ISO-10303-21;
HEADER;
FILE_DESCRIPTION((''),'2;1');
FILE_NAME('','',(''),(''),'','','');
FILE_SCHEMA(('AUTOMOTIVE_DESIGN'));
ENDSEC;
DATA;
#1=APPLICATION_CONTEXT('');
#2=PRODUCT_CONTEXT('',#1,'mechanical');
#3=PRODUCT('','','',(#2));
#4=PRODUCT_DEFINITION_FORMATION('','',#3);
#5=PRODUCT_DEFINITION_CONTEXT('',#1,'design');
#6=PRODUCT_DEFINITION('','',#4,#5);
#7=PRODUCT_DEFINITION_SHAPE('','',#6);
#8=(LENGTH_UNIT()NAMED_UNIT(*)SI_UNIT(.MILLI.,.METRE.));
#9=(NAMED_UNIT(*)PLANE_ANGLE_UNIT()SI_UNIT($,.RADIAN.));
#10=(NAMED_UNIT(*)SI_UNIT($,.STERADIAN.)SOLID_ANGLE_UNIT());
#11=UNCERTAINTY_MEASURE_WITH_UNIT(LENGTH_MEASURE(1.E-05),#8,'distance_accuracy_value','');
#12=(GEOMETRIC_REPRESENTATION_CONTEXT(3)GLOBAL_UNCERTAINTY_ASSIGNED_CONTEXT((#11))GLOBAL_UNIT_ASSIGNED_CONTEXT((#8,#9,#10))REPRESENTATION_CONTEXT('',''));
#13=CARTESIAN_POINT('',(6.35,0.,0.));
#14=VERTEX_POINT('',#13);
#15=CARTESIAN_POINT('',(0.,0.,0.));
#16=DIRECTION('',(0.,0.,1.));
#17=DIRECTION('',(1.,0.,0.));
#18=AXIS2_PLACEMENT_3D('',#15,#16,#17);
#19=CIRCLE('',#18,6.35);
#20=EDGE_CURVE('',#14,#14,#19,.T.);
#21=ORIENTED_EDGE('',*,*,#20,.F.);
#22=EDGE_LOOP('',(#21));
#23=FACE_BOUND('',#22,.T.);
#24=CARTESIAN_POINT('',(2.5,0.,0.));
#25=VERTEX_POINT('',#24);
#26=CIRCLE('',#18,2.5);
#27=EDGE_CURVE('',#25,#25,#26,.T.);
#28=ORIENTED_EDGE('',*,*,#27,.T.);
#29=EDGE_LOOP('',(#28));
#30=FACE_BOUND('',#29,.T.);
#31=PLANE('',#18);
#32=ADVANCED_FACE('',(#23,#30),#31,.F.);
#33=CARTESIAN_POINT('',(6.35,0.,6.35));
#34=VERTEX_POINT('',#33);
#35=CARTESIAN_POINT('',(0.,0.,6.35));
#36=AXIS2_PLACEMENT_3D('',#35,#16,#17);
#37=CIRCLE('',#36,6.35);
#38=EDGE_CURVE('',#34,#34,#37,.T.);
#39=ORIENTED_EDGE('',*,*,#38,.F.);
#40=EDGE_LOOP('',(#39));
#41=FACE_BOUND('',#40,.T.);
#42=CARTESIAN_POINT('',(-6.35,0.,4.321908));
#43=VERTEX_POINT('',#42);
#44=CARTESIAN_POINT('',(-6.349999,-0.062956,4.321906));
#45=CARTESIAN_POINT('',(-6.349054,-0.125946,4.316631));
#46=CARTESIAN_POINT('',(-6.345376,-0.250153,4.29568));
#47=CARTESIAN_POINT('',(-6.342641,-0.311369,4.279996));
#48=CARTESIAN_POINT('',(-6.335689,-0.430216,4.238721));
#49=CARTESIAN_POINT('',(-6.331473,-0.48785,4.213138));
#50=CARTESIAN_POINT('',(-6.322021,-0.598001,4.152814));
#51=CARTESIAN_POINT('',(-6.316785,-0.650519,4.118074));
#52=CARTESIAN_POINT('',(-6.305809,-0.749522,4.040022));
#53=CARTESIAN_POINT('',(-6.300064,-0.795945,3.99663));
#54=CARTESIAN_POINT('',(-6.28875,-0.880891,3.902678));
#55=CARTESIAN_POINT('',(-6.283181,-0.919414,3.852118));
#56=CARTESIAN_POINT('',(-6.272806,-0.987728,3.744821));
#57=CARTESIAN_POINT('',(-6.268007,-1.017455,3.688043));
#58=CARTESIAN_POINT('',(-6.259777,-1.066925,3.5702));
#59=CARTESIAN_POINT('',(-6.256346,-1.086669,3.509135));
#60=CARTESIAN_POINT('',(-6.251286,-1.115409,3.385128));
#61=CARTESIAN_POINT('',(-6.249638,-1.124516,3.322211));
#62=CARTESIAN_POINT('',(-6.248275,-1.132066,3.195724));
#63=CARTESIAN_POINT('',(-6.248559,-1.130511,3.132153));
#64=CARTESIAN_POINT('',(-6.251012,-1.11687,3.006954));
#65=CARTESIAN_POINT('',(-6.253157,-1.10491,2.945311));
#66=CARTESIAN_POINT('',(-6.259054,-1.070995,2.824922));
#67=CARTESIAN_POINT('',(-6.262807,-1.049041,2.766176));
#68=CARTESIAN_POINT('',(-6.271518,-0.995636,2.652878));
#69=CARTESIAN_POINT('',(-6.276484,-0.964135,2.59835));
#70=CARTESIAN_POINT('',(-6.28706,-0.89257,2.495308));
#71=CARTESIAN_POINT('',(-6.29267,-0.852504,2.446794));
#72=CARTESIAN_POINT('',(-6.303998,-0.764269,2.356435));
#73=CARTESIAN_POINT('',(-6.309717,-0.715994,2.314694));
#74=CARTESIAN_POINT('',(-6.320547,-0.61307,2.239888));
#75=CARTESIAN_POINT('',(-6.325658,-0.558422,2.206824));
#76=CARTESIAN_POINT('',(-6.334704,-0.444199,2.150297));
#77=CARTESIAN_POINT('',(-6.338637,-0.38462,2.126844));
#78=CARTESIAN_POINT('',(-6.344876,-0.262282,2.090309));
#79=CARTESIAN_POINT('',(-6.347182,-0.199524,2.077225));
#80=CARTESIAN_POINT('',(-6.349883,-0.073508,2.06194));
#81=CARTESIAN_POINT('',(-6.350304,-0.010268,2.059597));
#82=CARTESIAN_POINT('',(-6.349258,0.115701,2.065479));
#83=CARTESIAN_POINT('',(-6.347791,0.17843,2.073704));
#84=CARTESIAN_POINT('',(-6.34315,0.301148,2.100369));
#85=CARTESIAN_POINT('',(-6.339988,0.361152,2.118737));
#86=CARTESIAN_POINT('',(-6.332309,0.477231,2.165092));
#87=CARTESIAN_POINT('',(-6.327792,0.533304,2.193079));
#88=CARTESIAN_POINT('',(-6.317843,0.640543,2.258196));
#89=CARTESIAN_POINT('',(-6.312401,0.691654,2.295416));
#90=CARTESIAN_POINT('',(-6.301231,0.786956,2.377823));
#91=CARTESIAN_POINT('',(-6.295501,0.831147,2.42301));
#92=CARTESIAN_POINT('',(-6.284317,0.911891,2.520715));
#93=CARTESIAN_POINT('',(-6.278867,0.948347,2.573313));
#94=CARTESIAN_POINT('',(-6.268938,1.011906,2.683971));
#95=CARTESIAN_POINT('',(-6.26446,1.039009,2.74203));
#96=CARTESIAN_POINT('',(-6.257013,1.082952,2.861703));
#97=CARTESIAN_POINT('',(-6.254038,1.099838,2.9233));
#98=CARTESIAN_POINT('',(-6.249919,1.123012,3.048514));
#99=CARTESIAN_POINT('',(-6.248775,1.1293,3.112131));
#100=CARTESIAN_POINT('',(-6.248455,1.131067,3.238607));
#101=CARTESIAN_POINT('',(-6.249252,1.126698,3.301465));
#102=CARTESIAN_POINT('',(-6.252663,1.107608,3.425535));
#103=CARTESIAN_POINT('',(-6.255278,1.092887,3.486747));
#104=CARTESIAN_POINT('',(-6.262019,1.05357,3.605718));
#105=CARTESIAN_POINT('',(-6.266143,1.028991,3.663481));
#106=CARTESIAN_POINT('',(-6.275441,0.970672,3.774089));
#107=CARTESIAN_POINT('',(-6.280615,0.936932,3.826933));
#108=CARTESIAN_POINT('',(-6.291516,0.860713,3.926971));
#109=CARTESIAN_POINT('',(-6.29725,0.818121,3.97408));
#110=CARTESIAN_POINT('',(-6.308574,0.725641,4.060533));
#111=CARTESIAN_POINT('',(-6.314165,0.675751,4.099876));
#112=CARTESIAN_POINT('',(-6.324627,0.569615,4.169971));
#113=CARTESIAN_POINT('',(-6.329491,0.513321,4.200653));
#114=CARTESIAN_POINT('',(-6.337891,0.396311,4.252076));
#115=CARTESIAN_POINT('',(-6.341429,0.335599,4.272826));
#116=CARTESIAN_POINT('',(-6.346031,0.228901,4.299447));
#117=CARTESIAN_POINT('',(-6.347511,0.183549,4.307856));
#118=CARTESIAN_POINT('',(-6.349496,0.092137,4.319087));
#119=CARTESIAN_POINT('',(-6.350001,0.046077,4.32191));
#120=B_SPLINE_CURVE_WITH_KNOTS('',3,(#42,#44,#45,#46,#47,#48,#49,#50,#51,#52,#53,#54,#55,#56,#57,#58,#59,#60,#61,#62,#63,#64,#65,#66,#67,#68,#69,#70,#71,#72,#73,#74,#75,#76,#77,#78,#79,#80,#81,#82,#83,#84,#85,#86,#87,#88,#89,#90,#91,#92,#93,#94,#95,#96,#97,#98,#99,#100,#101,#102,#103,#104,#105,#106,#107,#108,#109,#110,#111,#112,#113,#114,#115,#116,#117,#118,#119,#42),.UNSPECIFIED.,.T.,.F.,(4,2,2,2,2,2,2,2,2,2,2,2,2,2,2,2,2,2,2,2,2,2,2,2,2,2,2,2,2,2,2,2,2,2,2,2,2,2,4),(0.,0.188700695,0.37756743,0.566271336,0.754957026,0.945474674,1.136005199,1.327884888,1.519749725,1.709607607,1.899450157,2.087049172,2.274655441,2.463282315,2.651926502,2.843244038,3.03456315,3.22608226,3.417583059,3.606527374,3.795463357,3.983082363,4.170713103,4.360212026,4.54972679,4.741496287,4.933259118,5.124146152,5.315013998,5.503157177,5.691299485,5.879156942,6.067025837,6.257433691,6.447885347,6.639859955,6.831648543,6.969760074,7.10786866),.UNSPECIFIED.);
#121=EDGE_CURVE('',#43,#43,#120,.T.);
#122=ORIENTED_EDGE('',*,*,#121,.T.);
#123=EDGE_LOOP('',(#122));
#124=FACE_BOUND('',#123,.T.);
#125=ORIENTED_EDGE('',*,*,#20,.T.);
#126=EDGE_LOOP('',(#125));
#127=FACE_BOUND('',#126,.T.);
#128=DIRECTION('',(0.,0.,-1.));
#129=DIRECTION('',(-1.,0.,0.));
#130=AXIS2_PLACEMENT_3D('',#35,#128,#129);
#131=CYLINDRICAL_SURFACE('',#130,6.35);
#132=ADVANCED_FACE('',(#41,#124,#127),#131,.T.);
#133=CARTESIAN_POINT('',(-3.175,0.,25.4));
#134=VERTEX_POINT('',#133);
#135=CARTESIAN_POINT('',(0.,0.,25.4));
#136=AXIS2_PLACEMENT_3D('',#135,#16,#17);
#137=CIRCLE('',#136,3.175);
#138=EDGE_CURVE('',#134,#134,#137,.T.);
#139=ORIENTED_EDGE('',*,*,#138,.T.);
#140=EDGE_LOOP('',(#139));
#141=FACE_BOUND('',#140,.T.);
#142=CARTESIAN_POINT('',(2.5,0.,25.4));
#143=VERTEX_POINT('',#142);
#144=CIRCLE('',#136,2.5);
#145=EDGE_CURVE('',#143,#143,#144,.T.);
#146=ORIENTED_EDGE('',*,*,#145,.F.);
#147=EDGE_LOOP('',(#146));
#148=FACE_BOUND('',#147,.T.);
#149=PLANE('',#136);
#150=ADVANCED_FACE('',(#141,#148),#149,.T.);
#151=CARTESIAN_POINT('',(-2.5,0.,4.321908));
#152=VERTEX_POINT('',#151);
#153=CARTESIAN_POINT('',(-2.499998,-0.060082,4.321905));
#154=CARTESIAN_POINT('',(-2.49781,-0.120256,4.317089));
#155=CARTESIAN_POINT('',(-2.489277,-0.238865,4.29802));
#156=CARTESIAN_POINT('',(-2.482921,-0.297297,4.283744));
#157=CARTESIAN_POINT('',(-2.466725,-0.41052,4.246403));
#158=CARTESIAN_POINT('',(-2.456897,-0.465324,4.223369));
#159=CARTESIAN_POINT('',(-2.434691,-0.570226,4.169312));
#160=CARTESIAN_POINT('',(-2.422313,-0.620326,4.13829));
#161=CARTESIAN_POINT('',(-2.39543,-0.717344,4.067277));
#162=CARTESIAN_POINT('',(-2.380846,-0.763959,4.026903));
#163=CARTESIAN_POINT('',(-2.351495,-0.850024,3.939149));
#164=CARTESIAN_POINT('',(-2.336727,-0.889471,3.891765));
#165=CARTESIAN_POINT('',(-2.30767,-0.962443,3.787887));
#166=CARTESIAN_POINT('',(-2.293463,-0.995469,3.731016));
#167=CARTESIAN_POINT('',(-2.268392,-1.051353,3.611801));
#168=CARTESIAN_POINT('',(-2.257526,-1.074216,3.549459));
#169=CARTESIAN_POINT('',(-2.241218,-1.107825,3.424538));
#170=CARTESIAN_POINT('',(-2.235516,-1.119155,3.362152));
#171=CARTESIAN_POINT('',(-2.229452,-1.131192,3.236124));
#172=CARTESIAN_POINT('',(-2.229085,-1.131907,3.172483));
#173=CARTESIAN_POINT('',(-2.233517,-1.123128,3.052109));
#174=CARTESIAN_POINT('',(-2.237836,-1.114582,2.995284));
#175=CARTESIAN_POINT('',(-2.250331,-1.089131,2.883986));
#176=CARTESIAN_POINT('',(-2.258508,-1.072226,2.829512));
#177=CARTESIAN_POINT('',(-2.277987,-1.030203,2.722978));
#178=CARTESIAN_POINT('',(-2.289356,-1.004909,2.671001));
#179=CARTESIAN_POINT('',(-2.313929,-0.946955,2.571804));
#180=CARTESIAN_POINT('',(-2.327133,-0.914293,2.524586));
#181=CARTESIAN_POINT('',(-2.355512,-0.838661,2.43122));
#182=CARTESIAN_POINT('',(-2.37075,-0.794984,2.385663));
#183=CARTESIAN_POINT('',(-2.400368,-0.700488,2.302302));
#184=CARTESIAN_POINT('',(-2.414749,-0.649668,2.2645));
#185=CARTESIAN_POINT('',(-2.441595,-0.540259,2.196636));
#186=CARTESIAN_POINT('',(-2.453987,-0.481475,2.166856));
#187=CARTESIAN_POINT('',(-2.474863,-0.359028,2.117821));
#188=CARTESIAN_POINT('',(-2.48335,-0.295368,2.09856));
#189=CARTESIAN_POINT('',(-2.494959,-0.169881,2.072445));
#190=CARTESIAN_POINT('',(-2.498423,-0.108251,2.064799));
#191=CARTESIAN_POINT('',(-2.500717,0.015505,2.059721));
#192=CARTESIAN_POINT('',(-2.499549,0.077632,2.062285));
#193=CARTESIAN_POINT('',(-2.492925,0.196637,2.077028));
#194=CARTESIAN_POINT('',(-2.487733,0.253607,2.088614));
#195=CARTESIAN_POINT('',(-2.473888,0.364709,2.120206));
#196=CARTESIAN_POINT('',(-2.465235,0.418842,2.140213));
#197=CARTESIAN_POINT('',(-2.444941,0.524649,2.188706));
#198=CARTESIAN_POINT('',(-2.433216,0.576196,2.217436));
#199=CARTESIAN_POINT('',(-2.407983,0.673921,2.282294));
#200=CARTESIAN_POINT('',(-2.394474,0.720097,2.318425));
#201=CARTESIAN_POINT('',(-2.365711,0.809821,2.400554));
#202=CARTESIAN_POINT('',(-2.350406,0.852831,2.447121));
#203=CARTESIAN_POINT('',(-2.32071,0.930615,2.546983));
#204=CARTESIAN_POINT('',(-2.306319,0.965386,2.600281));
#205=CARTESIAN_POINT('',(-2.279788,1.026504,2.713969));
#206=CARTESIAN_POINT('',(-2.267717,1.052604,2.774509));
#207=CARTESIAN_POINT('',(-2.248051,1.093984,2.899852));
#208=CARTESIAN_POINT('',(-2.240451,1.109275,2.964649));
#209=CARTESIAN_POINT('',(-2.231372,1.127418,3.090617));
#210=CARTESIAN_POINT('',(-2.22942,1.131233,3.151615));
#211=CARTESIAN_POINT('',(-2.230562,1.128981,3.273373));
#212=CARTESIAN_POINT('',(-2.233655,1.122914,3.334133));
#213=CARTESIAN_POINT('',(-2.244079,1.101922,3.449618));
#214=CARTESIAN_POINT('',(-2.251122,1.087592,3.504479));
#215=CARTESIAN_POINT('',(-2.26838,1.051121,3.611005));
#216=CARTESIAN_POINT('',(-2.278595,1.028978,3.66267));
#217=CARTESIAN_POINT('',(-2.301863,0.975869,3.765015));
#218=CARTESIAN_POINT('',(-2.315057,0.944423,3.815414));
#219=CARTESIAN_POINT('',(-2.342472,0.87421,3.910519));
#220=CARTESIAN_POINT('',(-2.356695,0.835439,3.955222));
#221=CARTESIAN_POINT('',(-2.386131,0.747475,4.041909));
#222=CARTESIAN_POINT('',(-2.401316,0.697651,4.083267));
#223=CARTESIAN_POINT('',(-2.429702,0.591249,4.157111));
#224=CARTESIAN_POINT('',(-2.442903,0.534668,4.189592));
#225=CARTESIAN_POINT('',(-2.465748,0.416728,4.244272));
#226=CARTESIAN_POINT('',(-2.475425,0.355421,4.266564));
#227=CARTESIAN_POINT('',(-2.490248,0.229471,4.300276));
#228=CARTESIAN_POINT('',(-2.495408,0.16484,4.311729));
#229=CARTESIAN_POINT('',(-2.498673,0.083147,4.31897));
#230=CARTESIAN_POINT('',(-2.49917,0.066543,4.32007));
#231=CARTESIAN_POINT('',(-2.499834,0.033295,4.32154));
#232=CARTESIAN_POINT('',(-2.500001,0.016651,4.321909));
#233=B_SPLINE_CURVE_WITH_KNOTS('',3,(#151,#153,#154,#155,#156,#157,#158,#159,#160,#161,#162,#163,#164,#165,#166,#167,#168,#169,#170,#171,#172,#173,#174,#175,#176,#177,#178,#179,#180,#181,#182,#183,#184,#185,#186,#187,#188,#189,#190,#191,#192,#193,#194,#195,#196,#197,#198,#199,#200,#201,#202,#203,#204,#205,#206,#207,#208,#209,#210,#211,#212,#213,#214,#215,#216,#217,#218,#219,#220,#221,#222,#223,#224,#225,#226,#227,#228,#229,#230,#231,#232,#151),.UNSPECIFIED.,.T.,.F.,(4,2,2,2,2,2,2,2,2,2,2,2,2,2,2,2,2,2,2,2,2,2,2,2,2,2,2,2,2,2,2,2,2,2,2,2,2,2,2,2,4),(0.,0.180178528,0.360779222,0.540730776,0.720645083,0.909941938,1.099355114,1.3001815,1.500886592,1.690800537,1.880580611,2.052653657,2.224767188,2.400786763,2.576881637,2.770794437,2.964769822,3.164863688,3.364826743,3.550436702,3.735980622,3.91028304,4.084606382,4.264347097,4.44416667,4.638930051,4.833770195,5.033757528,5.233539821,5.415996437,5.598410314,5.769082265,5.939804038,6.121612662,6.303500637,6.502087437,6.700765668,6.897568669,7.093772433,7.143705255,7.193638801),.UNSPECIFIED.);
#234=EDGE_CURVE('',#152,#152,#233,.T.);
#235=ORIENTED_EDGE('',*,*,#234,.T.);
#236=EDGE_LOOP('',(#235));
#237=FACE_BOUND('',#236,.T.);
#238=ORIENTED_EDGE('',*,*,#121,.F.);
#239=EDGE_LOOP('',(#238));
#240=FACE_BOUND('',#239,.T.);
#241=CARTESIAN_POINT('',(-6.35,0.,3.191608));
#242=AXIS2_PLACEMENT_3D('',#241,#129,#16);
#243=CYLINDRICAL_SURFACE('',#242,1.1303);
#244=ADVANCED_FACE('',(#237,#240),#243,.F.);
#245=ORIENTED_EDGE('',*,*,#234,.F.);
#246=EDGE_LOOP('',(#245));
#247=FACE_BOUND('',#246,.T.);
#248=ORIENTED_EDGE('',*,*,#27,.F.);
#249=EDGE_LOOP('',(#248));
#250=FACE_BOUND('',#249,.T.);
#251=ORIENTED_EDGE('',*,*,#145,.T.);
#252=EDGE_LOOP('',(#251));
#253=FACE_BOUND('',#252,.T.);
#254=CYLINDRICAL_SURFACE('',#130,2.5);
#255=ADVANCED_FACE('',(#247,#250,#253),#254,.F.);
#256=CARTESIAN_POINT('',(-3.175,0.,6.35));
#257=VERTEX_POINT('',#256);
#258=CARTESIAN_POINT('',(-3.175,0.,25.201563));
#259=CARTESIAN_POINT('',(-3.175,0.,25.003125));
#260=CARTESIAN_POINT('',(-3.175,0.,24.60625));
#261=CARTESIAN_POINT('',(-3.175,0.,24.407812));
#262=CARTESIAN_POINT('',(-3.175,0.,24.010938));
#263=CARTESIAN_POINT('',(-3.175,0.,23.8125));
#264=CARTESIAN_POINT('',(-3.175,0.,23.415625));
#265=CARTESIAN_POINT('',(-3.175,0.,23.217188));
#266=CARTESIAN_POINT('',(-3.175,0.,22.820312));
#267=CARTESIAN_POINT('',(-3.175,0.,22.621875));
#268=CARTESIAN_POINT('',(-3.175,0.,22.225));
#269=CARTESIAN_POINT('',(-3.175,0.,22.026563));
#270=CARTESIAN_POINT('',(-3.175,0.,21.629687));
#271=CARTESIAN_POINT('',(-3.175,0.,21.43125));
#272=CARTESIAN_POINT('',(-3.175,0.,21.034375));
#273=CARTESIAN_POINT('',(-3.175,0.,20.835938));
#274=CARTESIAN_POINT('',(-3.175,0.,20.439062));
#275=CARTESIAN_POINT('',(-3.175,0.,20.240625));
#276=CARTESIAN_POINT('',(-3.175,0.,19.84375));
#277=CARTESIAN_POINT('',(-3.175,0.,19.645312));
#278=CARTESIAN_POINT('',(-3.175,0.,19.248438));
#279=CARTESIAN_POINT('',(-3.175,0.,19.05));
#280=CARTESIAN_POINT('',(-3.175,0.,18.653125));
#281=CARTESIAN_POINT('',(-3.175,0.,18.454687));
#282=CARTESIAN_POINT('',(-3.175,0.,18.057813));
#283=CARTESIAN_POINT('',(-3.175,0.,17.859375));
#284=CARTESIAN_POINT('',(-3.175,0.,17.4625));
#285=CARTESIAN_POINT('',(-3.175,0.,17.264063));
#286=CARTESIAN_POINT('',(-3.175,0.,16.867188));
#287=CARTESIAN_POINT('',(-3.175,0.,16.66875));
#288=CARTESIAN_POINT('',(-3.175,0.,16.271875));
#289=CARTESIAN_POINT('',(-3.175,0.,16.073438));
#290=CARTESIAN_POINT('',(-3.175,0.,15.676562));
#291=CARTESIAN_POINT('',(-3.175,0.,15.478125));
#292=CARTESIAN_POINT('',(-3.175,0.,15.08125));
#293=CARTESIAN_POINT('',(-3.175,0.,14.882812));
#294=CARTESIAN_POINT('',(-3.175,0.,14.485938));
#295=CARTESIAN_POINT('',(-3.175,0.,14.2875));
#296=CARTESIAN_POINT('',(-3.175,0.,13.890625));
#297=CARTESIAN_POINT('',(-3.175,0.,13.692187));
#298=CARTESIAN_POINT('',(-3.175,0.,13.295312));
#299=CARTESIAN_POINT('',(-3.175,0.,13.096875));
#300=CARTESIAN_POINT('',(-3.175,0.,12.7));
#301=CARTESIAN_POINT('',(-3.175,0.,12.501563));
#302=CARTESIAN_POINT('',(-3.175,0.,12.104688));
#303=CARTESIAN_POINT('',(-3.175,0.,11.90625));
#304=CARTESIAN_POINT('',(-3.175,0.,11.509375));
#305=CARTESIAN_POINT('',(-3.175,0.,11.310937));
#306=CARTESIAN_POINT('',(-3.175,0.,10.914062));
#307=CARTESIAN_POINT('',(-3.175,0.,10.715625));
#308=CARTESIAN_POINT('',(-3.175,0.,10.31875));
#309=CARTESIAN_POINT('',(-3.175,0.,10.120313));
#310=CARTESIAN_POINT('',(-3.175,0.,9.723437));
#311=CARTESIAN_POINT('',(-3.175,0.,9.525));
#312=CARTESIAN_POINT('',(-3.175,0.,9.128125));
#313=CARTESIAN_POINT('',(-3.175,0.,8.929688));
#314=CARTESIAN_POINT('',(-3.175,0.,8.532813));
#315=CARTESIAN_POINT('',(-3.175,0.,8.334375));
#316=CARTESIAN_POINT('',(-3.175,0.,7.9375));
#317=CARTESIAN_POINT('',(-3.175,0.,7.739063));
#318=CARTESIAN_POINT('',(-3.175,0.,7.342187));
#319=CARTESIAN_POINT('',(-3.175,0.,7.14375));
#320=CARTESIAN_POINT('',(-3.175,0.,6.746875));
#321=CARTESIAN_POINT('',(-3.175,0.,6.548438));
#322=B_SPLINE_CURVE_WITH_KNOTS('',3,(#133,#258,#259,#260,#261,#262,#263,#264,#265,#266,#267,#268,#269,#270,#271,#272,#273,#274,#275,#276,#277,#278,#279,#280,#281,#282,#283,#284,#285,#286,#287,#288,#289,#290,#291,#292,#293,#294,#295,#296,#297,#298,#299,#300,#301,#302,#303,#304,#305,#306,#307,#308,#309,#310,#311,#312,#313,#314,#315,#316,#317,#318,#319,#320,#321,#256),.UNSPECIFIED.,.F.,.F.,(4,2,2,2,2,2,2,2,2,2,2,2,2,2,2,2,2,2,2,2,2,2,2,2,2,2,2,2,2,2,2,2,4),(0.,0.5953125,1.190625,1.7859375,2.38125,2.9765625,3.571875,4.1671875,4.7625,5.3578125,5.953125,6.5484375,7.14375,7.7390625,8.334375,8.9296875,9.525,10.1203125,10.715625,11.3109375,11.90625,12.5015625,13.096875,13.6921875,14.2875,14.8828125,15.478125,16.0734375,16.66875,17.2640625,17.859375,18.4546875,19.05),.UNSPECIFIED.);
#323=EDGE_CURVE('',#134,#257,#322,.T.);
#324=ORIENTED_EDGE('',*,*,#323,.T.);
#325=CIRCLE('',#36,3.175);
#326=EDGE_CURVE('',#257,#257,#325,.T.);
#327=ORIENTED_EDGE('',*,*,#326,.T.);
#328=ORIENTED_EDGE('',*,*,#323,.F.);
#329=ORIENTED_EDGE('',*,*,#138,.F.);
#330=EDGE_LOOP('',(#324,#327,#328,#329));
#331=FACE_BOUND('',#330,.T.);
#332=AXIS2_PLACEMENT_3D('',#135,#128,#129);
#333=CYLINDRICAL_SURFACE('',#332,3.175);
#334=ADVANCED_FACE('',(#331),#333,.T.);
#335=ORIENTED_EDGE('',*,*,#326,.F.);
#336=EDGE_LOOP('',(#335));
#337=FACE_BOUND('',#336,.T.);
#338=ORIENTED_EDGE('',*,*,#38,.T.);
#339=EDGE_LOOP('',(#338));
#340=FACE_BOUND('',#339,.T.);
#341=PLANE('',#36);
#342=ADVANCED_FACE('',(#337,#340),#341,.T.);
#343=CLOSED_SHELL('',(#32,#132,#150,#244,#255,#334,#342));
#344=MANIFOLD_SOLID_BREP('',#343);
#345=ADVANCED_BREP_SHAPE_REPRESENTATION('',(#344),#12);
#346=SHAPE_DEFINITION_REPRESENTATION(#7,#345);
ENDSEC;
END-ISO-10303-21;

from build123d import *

# Parameters (mm, degrees)
SKETCH1_R                 = 6.35
SKETCH1_R_2               = 2.5
BOSS_EXTRUDE1_DEPTH       = 6.35
SKETCH2_R                 = 3.175
SKETCH2_R_2               = 2.5
BOSS_EXTRUDE2_DEPTH       = 19.05
F_4_40_TAPPED_HOLE1_D     = 2.2606
F_4_40_TAPPED_HOLE1_DEPTH = 6.349
F_4_40_TAPPED_HOLE1_TIP   = 0.679152758


with BuildPart() as part:
    # Sketch1 → Boss-Extrude1 (new body)
    with BuildSketch(Plane.XY):
        Circle(SKETCH1_R)
        Circle(SKETCH1_R_2, mode=Mode.SUBTRACT)
    extrude(amount=BOSS_EXTRUDE1_DEPTH)

    # Sketch2 → Boss-Extrude2 (add)
    with BuildSketch(Plane.XY.offset(6.35)):
        with Locations(Location((0, 0, 0), (0, 0, 180))):
            Circle(SKETCH2_R)
        Circle(SKETCH2_R_2, mode=Mode.SUBTRACT)
    extrude(amount=BOSS_EXTRUDE2_DEPTH)

    # #4-40 Tapped Hole1
    with Locations(Plane.ZY.offset(6.35)):
        with Locations((3.191608174, 0)):
            Hole(F_4_40_TAPPED_HOLE1_D / 2, depth=F_4_40_TAPPED_HOLE1_DEPTH)
            with Locations((0, 0, -(F_4_40_TAPPED_HOLE1_DEPTH + F_4_40_TAPPED_HOLE1_TIP / 2))):  # 118° drill point
                Cone(0, F_4_40_TAPPED_HOLE1_D / 2, F_4_40_TAPPED_HOLE1_TIP, mode=Mode.SUBTRACT)


solid = part.part
